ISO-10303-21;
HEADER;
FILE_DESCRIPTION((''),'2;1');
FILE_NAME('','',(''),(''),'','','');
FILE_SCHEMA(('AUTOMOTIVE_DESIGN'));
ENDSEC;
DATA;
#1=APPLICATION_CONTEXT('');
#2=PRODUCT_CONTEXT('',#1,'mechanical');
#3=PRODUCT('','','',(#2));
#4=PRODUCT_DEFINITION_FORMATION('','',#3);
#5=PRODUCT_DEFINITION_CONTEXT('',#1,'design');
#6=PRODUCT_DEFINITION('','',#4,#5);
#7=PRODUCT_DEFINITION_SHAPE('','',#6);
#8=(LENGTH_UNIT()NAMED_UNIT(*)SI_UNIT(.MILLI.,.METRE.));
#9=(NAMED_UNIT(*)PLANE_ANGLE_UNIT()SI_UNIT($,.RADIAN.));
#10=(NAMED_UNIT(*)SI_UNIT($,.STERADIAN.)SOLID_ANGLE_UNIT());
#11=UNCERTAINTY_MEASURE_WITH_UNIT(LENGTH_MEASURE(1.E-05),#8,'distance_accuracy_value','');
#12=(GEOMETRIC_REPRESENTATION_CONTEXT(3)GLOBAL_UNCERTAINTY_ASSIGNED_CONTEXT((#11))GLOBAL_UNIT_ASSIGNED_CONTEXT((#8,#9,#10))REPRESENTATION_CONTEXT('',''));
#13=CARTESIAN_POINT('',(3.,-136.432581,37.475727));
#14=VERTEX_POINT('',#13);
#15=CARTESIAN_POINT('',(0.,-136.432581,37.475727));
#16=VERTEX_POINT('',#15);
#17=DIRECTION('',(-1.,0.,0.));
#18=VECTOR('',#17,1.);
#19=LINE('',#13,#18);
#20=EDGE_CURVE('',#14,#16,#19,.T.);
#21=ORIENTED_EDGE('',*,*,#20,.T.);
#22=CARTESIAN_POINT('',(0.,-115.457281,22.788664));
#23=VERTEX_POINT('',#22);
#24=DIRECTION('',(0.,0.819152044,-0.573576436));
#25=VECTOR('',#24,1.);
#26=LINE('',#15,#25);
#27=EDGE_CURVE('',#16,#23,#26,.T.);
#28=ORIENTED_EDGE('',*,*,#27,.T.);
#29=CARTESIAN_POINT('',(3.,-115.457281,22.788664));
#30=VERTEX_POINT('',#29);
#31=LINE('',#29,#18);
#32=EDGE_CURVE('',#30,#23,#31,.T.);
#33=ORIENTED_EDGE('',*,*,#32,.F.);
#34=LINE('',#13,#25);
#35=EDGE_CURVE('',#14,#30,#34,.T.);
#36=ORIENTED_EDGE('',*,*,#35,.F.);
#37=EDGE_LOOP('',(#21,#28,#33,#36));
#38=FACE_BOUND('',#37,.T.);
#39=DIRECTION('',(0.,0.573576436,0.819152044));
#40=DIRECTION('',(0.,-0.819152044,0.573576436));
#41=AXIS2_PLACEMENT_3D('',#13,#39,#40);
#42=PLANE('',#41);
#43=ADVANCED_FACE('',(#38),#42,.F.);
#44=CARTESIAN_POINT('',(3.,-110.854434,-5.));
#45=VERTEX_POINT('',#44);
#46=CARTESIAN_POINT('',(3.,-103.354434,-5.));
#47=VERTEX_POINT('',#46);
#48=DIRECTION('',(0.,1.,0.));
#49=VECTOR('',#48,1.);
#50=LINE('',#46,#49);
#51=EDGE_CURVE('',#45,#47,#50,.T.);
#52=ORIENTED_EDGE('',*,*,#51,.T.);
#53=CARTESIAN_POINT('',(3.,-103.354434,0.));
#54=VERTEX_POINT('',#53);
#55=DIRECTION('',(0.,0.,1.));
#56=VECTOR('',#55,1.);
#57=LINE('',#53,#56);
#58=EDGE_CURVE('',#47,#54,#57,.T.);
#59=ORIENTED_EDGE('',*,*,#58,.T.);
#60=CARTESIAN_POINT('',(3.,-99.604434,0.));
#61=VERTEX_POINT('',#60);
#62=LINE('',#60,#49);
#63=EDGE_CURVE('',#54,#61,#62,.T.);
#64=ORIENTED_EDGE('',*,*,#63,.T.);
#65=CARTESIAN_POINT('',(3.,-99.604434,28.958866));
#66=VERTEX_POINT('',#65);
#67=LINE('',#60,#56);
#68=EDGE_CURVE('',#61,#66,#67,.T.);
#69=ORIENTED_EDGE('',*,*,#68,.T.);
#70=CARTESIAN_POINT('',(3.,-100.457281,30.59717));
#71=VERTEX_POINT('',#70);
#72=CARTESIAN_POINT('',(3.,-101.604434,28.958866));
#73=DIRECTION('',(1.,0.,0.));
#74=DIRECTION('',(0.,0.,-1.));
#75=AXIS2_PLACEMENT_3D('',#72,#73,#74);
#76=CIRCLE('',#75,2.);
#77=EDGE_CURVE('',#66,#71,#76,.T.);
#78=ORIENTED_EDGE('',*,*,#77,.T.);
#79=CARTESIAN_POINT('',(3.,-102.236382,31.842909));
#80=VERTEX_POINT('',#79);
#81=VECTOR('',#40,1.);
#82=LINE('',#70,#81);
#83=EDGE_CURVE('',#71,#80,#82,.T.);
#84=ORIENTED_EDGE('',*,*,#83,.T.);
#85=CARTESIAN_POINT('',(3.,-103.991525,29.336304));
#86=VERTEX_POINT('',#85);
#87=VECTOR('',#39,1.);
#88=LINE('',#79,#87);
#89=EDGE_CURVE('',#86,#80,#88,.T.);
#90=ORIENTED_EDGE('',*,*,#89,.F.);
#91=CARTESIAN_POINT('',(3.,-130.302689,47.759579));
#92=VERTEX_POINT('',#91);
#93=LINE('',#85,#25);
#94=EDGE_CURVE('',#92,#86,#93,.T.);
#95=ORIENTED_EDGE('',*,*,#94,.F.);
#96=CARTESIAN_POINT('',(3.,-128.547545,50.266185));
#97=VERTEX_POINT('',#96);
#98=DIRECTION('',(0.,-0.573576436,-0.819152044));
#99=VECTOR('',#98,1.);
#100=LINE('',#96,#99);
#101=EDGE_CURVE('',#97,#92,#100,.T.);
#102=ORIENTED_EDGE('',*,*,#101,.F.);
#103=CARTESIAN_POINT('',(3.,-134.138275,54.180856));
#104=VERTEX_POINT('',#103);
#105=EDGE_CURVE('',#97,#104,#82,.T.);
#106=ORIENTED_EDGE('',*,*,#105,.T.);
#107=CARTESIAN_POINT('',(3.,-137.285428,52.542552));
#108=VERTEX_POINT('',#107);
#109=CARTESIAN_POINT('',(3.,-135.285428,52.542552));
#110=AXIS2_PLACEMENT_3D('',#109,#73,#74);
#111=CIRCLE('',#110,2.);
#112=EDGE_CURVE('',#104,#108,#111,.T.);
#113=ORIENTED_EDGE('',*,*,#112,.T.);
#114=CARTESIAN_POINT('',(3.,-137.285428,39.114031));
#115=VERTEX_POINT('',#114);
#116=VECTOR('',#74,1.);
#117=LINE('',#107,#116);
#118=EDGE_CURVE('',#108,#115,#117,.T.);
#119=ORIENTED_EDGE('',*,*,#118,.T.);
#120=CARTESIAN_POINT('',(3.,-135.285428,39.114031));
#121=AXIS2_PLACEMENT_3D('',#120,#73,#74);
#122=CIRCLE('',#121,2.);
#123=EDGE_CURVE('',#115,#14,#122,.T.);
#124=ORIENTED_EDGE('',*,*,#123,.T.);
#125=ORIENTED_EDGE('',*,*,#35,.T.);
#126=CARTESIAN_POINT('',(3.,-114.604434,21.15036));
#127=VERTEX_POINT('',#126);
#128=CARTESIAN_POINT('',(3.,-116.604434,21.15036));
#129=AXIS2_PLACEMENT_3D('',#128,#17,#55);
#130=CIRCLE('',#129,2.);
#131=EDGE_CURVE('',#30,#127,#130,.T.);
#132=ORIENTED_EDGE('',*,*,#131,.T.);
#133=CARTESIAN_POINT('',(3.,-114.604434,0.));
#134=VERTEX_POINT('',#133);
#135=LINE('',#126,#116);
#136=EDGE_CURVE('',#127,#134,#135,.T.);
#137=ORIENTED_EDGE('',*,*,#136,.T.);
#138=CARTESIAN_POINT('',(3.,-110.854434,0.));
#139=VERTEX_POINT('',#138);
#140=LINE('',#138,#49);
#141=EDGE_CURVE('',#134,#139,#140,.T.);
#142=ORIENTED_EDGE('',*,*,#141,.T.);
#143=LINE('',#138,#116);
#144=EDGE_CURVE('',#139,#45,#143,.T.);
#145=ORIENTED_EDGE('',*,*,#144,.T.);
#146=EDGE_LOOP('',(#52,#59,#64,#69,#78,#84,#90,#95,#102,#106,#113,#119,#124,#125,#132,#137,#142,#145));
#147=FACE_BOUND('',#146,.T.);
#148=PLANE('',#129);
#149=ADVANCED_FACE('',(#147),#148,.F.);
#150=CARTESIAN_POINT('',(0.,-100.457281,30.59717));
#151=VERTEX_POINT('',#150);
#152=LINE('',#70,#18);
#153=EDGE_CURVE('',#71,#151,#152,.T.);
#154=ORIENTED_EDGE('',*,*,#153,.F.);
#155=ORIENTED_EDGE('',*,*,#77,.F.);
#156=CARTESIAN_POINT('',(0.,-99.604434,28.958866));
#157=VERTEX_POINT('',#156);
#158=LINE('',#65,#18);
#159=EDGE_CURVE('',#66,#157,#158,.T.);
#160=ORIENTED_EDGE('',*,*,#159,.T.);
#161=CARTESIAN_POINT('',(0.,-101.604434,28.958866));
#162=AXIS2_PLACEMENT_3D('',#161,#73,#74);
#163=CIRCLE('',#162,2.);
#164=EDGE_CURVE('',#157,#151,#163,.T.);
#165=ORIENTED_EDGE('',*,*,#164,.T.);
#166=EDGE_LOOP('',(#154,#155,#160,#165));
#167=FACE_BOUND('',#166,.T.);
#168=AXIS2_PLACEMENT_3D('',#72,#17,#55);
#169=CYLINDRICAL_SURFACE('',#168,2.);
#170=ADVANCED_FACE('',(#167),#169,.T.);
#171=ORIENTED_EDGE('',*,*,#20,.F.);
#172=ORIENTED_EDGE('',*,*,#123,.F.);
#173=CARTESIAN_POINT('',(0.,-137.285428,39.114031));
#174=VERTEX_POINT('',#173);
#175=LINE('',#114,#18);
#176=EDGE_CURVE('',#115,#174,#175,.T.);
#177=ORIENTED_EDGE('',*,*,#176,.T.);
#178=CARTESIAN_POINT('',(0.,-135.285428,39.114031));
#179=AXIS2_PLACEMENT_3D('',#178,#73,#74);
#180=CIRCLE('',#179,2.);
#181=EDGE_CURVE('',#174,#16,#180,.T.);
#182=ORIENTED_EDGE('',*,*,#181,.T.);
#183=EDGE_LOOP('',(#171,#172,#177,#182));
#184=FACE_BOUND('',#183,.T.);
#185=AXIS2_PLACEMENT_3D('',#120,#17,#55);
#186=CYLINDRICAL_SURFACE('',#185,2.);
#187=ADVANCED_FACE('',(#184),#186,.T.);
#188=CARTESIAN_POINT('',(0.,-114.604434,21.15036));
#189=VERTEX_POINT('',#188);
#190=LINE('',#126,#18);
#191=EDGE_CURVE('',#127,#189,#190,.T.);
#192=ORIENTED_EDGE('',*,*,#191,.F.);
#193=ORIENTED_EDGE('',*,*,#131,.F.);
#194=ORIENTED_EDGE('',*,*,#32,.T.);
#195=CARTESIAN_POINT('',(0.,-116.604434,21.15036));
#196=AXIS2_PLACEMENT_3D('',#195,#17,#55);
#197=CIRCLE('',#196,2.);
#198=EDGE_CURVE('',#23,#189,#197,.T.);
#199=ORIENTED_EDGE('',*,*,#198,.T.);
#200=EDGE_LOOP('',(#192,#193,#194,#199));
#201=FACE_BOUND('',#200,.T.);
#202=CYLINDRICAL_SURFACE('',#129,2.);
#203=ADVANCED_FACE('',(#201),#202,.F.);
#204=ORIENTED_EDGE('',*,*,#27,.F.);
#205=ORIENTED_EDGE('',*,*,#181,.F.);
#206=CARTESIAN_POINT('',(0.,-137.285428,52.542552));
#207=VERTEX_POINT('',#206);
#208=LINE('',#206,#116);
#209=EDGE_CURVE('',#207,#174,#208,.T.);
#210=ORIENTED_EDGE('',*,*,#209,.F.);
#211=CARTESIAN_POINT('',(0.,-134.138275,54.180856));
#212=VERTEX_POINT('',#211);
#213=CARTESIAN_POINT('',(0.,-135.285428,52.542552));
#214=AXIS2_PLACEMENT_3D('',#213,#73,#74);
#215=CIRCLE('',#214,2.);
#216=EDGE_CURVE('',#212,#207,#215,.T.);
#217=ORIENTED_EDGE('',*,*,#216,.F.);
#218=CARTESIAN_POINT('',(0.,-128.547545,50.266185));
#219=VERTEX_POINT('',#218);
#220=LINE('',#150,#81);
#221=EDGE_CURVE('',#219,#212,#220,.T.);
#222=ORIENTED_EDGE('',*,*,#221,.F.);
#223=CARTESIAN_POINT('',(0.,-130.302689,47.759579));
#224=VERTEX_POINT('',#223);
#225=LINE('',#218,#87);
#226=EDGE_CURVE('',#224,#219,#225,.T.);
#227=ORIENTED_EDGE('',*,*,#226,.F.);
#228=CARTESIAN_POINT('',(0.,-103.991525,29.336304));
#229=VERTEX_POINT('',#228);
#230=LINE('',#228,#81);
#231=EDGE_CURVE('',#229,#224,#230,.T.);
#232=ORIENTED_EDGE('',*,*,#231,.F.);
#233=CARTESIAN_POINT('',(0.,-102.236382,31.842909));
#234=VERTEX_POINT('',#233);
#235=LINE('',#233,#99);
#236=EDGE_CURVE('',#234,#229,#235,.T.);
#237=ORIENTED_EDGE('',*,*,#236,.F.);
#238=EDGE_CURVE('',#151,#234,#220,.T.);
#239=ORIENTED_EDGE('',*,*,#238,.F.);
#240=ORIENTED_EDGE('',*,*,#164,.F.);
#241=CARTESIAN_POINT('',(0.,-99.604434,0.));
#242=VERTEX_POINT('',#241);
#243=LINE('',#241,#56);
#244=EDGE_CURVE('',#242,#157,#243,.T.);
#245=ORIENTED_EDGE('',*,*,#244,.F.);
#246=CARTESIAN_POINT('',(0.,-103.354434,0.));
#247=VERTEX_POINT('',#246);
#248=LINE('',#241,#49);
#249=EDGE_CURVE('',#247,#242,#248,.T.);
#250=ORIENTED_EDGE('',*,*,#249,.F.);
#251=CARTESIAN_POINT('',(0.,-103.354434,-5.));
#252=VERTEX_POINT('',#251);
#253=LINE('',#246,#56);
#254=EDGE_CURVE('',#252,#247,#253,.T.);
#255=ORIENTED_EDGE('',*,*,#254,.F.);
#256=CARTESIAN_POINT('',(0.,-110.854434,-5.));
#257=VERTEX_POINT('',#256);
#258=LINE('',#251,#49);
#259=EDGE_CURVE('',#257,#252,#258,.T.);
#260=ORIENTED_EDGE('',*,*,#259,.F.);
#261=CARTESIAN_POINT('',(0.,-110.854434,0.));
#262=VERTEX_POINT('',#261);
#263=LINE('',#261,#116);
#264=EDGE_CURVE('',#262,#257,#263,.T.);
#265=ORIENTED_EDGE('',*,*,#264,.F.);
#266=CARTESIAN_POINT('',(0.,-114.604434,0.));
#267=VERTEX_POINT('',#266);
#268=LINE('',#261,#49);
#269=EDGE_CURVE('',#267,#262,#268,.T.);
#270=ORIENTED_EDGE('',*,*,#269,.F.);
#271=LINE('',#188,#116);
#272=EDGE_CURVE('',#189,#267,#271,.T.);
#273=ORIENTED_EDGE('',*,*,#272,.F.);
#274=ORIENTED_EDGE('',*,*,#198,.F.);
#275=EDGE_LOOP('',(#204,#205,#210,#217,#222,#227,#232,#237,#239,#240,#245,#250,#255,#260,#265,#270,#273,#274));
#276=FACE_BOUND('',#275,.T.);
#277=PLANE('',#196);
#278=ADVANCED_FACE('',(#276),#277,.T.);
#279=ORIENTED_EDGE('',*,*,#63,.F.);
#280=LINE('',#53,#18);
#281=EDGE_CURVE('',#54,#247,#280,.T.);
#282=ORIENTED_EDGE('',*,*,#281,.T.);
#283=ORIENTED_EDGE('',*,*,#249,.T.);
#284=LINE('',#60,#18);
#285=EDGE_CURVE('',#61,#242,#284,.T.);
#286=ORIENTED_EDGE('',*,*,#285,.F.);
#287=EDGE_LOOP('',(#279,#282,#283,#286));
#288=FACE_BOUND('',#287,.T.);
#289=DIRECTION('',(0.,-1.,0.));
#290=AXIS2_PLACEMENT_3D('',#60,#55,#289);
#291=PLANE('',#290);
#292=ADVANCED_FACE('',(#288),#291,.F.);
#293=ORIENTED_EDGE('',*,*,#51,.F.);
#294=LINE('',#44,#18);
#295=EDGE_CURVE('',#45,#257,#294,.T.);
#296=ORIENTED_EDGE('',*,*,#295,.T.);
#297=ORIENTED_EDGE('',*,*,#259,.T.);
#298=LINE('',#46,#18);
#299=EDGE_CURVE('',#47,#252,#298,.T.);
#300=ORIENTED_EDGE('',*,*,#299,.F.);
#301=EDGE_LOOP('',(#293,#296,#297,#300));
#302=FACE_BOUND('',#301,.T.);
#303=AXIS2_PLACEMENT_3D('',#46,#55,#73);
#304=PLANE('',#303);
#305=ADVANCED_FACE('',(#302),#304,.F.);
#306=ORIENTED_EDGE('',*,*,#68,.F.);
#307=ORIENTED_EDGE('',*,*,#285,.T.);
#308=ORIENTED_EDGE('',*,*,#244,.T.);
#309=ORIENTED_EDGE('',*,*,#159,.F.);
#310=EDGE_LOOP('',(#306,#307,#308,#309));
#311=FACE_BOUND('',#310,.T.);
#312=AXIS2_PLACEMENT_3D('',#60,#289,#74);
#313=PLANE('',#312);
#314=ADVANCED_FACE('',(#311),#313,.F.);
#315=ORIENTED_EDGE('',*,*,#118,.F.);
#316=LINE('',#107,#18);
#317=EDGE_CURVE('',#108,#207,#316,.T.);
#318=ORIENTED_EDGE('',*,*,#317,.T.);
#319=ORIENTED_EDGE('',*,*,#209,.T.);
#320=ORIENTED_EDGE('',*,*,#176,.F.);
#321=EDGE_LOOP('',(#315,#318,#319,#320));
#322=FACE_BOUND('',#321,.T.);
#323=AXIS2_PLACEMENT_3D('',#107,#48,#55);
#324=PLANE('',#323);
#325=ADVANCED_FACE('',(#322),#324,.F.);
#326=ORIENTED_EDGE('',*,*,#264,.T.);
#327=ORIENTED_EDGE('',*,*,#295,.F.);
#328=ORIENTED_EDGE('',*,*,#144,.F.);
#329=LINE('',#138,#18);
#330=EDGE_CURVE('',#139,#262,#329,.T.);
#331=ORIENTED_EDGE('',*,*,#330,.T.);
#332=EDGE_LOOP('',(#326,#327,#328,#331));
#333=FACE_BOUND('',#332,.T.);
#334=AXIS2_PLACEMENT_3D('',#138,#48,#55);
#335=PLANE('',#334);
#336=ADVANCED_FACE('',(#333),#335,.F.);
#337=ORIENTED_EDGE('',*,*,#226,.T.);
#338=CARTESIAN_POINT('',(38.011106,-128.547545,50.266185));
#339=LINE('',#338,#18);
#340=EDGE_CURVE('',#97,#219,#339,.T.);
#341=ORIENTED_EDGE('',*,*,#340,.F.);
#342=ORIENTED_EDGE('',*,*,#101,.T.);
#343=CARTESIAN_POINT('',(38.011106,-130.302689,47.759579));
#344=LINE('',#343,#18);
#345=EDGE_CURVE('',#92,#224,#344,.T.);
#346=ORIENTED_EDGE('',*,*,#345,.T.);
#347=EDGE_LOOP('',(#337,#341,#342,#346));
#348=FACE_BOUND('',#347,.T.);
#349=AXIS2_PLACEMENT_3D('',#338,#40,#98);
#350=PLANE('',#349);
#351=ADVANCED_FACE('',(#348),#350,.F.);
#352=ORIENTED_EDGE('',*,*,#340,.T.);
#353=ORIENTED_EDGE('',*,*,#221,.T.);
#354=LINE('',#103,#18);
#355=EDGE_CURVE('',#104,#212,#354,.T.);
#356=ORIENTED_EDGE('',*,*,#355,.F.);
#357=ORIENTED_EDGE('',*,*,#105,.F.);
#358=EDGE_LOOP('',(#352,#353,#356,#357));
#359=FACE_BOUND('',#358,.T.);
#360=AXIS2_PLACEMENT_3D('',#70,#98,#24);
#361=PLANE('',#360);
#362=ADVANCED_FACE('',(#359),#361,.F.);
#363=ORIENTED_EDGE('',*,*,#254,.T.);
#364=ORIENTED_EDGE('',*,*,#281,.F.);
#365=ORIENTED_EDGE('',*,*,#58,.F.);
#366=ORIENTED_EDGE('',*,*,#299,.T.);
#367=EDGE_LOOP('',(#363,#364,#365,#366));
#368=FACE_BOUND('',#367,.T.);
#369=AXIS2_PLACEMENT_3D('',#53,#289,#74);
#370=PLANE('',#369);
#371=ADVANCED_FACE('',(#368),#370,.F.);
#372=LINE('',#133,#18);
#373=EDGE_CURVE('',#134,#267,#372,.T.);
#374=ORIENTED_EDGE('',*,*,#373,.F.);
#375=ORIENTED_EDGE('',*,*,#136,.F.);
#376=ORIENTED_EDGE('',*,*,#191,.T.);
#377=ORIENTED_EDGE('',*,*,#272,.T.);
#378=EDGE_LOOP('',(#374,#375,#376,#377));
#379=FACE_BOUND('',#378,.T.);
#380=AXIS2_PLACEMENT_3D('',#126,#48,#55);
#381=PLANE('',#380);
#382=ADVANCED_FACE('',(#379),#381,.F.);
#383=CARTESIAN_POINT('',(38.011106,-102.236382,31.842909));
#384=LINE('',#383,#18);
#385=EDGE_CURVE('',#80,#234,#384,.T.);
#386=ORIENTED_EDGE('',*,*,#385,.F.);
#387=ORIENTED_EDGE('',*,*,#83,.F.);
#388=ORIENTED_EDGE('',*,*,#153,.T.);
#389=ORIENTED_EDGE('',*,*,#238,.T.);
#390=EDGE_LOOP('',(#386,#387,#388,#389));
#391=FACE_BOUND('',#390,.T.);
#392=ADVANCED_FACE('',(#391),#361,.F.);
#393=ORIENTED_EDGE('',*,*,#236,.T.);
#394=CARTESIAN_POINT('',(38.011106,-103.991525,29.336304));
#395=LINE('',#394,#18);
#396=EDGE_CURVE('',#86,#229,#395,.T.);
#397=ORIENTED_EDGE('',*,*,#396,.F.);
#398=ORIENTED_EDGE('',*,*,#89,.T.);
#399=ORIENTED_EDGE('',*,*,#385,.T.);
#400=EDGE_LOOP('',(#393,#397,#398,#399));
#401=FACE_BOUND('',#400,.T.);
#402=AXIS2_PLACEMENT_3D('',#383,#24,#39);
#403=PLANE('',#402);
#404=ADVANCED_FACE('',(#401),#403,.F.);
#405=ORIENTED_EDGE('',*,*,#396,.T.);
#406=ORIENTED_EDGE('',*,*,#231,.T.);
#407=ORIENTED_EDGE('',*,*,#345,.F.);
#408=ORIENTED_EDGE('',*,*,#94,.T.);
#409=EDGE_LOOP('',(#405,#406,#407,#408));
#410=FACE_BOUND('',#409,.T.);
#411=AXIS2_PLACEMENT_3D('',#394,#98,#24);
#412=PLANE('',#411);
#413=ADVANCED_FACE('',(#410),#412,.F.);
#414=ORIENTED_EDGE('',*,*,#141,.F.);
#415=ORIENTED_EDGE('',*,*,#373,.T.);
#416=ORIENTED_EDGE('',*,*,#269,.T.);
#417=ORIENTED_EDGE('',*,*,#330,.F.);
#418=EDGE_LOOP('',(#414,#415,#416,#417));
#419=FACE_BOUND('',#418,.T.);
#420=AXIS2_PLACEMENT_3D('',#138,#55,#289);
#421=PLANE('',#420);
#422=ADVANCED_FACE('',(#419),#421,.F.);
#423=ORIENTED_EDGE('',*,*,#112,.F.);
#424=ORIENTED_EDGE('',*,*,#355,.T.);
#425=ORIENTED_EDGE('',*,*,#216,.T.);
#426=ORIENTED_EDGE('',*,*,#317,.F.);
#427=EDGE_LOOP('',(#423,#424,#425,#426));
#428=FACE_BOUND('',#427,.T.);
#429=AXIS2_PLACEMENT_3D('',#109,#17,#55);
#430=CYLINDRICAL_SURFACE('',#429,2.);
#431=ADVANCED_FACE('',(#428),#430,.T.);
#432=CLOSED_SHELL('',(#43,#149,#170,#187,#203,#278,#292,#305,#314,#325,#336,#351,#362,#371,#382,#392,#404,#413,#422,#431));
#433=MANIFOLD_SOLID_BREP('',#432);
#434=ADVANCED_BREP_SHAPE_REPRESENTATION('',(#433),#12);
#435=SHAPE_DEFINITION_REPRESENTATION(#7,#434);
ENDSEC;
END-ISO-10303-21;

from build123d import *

# Parameters (mm, degrees)
BOSS_EXTRUDE1_DEPTH = 3
CUT_EXTRUDE1_DEPTH  = 3


with BuildPart() as part:
    # Sketch2 → Boss-Extrude1 (new body)
    with BuildSketch(Plane(origin=(0, 0, 0), x_dir=(0, 0, -1), z_dir=(1, 0, 0))):
        with BuildLine():
            Line((0, -99.604434048), (-28.958865899, -99.604434048))
            ThreePointArc((-28.958865899, -99.604434048), (-29.882363125, -99.830412381), (-30.597169987, -100.457281175))
            Line((-30.597169987, -100.457281175), (-54.180855907, -134.138275212))
            ThreePointArc((-54.180855907, -134.138275212), (-54.316573485, -136.208925312), (-52.542551818, -137.285428085))
            Line((-52.542551818, -137.285428085), (-39.114031342, -137.285428085))
            ThreePointArc((-39.114031342, -137.285428085), (-38.190534115, -137.059449751), (-37.475727253, -136.432580958))
            Line((-37.475727253, -136.432580958), (-22.788664229, -115.457281175))
            ThreePointArc((-22.788664229, -115.457281175), (-22.073857367, -114.830412381), (-21.150360141, -114.604434048))
            Line((-21.150360141, -114.604434048), (0, -114.604434048))
            Line((0, -114.604434048), (0, -110.854434048))
            Line((0, -110.854434048), (5, -110.854434048))
            Line((5, -110.854434048), (5, -103.354434048))
            Line((5, -103.354434048), (0, -103.354434048))
            Line((0, -103.354434048), (0, -99.604434048))
        make_face()
    extrude(amount=BOSS_EXTRUDE1_DEPTH)

    # Sketch3 → Cut-Extrude1 (cut)
    with BuildSketch(Plane.ZY):
        Polygon((50.2661846, -128.547545189), (47.759579345, -130.302689084), (29.336304209, -103.991525421), (31.842909464, -102.236381526), align=None)
    extrude(amount=-CUT_EXTRUDE1_DEPTH, mode=Mode.SUBTRACT)


solid = part.part
